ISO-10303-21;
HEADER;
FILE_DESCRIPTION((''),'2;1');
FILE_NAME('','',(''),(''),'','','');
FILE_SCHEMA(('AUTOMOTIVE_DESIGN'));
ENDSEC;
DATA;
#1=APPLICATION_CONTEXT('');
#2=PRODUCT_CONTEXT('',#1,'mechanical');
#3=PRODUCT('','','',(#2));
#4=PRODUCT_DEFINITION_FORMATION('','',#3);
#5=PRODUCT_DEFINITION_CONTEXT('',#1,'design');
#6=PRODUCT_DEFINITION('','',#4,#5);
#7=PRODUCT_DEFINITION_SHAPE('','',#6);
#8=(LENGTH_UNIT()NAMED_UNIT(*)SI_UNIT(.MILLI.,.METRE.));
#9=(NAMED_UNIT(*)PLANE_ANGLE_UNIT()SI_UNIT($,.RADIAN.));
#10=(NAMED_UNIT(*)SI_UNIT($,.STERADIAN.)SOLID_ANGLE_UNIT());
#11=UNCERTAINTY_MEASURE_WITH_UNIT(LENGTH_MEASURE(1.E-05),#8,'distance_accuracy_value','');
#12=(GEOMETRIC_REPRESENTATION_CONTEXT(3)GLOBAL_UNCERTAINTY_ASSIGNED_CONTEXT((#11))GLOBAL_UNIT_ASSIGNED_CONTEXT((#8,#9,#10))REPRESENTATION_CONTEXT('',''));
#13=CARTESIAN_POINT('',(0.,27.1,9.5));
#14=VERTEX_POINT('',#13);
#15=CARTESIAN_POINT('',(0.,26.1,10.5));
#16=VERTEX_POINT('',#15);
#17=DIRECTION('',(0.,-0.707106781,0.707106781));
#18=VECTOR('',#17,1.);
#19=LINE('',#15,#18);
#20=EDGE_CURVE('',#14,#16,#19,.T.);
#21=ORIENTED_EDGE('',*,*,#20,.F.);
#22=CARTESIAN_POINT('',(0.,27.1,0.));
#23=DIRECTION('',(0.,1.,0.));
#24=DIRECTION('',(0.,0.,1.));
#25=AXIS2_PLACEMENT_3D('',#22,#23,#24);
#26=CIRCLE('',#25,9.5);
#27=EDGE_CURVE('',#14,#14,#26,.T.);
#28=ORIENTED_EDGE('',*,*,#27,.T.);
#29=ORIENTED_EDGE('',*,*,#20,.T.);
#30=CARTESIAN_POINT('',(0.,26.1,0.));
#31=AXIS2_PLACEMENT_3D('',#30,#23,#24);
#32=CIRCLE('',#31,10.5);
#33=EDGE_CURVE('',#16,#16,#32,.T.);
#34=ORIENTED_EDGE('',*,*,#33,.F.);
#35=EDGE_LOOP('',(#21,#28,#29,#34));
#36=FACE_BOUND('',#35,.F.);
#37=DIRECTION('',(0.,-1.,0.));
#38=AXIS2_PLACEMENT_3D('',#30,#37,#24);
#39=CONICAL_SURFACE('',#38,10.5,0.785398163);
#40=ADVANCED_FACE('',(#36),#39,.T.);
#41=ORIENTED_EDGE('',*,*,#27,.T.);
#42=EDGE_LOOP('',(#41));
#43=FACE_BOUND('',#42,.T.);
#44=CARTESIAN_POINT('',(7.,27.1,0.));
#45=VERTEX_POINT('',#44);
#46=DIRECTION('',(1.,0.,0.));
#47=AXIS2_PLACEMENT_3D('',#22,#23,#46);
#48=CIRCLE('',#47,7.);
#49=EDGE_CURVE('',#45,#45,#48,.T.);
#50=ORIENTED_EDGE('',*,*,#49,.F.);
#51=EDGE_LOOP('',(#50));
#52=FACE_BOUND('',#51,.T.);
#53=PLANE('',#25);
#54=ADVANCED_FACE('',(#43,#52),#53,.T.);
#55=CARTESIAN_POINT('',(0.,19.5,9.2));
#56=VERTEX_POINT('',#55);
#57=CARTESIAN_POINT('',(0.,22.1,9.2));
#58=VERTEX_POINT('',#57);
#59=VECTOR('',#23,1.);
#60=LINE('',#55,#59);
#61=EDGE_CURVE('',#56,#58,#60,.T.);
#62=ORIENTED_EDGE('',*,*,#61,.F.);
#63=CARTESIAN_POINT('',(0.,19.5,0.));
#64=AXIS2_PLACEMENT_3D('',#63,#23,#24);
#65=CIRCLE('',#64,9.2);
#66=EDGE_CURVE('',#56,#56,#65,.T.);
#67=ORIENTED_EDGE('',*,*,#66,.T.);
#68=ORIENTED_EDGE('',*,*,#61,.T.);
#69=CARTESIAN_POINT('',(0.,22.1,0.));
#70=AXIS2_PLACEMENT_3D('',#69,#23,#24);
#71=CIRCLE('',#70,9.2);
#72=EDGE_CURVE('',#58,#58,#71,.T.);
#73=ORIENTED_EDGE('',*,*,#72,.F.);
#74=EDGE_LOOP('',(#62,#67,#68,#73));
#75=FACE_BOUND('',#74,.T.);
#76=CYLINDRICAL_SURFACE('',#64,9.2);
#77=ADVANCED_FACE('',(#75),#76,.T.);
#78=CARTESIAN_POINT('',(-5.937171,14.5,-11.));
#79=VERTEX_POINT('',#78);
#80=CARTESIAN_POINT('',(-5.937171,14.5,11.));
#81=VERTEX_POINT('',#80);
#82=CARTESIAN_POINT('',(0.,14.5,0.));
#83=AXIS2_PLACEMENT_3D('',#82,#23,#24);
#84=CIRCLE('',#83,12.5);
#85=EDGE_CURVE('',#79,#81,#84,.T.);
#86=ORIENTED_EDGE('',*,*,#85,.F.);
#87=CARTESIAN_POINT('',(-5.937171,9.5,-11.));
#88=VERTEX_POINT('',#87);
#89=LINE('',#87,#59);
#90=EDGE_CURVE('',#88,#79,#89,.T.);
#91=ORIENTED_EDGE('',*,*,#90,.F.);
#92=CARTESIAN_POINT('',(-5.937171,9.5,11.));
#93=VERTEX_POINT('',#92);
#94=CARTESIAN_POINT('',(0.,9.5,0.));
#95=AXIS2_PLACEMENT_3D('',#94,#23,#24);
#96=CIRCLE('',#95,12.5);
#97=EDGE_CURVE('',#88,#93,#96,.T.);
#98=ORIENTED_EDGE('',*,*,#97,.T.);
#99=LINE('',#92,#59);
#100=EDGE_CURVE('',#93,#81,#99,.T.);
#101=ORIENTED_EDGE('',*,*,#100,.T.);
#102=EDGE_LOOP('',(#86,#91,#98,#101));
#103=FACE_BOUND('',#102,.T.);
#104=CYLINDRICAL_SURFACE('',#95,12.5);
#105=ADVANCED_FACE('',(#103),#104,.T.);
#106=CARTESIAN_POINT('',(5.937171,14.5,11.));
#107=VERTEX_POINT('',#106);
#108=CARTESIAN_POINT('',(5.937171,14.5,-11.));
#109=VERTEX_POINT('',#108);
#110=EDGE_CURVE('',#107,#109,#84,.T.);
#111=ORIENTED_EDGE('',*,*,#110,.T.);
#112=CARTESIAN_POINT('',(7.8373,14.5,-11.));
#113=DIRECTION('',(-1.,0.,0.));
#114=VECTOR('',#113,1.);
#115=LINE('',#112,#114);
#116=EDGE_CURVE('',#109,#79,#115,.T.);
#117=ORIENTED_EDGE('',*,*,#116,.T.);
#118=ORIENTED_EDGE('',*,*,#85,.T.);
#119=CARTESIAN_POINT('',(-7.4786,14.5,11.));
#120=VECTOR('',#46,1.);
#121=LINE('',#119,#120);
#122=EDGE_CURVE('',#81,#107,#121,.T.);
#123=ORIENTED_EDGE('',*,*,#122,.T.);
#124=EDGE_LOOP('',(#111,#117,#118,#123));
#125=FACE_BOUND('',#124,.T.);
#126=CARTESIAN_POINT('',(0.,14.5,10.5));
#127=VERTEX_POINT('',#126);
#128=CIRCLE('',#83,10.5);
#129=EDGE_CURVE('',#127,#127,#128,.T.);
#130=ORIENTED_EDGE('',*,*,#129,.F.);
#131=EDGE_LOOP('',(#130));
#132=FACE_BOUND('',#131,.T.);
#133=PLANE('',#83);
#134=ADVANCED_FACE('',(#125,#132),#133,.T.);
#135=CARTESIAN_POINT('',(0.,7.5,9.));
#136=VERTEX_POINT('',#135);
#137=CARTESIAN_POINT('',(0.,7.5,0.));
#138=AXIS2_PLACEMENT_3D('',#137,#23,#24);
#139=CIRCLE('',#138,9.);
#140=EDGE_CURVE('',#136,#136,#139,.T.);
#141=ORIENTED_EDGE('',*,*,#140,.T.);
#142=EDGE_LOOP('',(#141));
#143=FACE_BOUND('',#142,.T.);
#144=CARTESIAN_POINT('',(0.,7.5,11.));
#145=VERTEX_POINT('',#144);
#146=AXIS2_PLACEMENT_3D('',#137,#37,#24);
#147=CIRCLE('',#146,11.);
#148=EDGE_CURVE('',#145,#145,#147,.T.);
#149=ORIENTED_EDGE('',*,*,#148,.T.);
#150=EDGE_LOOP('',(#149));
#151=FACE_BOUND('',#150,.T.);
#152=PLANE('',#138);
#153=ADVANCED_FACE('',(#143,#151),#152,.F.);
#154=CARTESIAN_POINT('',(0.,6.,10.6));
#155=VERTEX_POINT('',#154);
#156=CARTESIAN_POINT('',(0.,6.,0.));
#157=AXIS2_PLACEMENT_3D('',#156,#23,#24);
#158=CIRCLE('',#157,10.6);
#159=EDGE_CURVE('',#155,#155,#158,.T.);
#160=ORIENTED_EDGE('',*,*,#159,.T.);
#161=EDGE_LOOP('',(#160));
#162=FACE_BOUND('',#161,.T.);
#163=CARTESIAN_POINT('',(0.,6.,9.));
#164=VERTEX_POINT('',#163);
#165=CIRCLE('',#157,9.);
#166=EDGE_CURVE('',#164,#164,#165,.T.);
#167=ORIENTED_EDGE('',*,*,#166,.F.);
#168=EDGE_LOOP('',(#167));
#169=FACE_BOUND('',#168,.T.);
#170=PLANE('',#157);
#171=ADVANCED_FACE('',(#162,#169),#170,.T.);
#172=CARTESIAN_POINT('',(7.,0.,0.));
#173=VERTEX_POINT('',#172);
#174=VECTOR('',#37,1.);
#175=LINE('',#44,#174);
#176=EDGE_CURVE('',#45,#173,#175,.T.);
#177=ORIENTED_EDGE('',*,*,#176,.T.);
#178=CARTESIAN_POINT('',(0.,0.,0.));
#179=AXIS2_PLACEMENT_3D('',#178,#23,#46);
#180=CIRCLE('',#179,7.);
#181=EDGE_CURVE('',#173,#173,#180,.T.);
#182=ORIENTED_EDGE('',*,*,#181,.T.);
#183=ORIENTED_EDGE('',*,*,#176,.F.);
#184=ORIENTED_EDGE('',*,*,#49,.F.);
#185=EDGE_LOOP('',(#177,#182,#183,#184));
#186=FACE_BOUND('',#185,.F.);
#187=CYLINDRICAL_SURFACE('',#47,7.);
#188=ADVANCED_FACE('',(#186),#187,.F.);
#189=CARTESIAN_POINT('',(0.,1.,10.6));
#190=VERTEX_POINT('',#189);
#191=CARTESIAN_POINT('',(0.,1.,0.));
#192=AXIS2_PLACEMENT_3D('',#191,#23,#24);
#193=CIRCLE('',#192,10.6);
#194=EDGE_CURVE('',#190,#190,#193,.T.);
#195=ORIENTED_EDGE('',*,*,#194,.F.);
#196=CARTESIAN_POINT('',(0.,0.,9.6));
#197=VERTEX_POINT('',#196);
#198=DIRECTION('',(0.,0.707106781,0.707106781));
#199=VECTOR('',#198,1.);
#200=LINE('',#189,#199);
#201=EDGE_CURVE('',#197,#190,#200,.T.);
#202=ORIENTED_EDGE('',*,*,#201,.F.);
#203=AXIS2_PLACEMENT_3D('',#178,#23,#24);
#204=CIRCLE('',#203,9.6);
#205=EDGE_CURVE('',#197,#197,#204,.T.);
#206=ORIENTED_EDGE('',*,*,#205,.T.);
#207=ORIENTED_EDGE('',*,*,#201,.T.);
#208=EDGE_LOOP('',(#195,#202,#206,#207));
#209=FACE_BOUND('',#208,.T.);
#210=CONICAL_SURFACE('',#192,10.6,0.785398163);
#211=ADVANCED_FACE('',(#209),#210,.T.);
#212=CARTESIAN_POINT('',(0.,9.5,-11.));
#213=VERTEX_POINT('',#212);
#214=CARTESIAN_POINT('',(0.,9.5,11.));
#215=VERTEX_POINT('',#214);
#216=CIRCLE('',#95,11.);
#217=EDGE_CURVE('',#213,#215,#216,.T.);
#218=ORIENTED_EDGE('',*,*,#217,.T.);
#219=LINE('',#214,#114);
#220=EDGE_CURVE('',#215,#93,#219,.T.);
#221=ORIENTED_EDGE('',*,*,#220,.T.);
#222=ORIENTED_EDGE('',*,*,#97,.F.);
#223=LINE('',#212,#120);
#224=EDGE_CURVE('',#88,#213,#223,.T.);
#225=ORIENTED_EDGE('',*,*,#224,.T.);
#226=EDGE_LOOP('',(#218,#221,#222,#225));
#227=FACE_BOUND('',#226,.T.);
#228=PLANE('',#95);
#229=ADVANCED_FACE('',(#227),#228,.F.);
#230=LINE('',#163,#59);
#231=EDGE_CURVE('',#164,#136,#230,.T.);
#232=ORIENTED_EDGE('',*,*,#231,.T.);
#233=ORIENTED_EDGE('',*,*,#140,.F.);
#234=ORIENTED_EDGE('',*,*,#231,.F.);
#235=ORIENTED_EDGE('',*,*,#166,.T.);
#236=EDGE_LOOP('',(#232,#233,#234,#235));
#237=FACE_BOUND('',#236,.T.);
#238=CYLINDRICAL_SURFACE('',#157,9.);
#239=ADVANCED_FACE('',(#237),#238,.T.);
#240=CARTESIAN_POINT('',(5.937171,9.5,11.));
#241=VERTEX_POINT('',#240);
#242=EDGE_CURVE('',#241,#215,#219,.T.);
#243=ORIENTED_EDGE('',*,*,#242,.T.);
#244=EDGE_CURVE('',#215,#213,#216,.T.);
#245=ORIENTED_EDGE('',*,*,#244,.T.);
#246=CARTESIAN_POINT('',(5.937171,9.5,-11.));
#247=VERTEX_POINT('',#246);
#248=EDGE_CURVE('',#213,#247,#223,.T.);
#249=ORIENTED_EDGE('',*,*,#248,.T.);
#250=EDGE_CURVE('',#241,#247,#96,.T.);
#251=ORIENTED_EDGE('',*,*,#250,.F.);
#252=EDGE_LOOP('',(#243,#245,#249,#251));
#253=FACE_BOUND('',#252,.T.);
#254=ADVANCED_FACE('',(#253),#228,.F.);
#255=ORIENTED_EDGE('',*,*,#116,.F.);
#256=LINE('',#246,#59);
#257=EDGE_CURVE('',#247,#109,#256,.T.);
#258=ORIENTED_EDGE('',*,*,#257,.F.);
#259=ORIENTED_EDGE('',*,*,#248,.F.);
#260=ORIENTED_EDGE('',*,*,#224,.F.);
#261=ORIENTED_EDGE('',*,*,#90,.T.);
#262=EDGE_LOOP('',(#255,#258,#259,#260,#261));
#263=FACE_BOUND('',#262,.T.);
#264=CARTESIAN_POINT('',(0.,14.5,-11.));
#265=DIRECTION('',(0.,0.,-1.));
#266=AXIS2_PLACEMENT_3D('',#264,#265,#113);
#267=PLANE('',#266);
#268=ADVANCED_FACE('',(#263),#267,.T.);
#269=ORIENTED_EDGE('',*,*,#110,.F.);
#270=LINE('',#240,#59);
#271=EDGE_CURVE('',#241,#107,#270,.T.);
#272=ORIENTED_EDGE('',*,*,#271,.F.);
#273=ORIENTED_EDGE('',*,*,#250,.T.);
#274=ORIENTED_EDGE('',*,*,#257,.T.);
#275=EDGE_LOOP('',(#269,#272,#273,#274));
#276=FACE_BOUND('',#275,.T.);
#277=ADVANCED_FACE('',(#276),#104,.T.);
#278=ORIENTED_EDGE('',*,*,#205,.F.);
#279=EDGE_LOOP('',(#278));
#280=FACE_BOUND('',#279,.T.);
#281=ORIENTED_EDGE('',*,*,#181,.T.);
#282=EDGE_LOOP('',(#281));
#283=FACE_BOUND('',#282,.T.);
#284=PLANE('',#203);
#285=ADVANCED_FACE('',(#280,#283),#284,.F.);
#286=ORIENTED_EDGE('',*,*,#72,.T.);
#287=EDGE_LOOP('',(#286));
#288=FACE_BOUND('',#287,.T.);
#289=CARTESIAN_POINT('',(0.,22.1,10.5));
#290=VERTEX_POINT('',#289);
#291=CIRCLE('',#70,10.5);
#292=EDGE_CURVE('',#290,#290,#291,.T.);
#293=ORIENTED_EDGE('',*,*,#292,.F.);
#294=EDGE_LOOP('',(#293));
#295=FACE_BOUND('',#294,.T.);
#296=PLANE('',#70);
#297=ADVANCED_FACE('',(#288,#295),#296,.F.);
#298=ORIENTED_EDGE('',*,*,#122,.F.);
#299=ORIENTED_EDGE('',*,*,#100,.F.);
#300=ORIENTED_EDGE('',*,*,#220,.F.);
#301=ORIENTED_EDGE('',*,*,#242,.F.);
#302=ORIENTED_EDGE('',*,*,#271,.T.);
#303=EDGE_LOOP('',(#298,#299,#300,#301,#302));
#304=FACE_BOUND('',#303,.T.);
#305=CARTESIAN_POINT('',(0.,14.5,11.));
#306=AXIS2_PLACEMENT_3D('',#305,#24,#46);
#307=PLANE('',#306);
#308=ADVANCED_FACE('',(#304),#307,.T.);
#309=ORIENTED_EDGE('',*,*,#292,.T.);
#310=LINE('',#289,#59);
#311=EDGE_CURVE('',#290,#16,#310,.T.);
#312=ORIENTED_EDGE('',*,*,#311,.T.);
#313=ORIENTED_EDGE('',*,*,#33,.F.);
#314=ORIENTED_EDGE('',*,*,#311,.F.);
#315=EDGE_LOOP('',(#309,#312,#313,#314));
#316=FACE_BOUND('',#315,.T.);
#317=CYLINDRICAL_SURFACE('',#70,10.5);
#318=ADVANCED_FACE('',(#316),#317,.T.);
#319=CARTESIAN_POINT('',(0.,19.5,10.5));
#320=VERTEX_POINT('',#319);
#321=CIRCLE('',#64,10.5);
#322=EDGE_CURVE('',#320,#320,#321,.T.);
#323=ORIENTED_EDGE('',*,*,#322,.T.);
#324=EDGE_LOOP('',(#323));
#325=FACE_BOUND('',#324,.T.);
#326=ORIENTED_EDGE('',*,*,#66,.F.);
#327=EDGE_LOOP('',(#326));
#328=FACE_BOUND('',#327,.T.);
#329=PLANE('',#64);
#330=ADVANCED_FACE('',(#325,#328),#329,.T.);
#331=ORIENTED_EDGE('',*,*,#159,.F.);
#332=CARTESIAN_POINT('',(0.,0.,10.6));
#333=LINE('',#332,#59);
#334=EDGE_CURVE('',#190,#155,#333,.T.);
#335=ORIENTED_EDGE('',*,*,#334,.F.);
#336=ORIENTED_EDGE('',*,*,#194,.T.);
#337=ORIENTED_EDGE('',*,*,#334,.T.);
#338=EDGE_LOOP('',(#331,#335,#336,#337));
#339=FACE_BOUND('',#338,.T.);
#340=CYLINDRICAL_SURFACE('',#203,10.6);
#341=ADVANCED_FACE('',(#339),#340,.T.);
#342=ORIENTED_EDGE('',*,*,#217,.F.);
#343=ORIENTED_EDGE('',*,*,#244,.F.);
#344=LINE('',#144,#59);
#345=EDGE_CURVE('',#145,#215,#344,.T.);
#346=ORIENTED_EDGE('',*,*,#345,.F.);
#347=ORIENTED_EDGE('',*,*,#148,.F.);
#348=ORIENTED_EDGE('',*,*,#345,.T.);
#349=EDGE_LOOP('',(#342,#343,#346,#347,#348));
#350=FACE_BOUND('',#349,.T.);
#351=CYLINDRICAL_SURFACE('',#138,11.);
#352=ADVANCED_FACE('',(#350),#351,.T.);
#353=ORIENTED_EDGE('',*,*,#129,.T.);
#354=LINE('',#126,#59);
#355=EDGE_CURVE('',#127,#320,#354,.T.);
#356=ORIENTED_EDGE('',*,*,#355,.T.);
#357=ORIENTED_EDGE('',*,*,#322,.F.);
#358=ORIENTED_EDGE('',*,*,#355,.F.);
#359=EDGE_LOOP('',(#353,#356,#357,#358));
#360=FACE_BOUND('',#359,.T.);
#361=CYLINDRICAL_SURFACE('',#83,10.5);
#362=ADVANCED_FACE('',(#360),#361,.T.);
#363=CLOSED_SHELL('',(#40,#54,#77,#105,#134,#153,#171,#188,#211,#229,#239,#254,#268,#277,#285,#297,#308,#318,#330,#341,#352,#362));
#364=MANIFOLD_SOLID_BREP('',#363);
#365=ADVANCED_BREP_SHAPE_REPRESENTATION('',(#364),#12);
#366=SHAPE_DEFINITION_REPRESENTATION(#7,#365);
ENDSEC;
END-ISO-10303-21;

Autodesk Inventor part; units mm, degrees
ref_plane "YZ Plane" through (0, 0, 0) normal (1, 0, 0) x (0, 1, 0)
ref_plane "XZ Plane" through (0, 0, 0) normal (0, 1, 0) x (-1, 0, 0)
ref_plane "XY Plane" through (0, 0, 0) normal (0, 0, 1) x (1, 0, 0)
sketch "Sketch1" plane through (0, 0, 0) normal (1, 0, 0) x (0, 1, 0)
  line L0 (0, 0) -> (0, 10.6)
  line L1 (0, 10.6) -> (6, 10.6)
  line L2 (6, 0) -> (6, 9) construction
  line L3 (6, 10.6) -> (6, 9)
  line L4 (6, 9) -> (7.5, 9)
  line L5 (7.5, 9) -> (7.5, 11)
  line L6 (7.5, 11) -> (9.5, 11)
  line L7 (9.5, 11) -> (9.5, 12.5)
  line L8 (9.5, 11) -> (11, 11) construction
  line L9 (9.5, 12.5) -> (14.5, 12.5)
  line L10 (14.5, 0) -> (14.5, 10.5) construction
  line L11 (14.5, 12.5) -> (14.5, 10.5)
  line L12 (14.5, 10.5) -> (19.5, 10.5)
  line L13 (19.5, 0) -> (19.5, 9.2) construction
  line L14 (19.5, 10.5) -> (19.5, 9.2)
  line L15 (19.5, 9.2) -> (22.1, 9.2)
  line L16 (22.1, 9.2) -> (22.1, 10.5)
  line L17 (22.1, 10.5) -> (27.1, 10.5)
  line L18 (27.1, 10.5) -> (27.1, 0)
  line L19 (0, 0) -> (27.1, 0)
  dimension "d0" = 10.6
  dimension "d1" = 6
  dimension "d2" = 9
  dimension "d3" = 1.5
  dimension "d4" = 2
  dimension "d5" = 2
  dimension "d7" = 11
  dimension "d8" = 1.5
  dimension "d9" = 90
  dimension "d10" = 5
  dimension "d11" = 10.5
  dimension "d12" = 2
  dimension "d13" = 5
  dimension "d14" = 9.2
  dimension "d15" = 1.3
  dimension "d16" = 2.6
  dimension "d17" = 1.3
  dimension "d18" = 5
revolve "Revolution1" add sketch "Sketch1" angle 360 about axis through (0, 0, 0) along (0, 1, 0)
thread "Thread1" size "M22x1.5" class "6g" standard "ANSI Metric M Profile" full length
chamfer "Chamfer1" distance 1 angle 45 1 edges at (0, 0, -10.6)
sketch "Sketch2" plane through (0, 27.1, 0) normal (0, 1, 0) x (1, 0, 0)
  circle A0 centre (0, 0) radius 7
  dimension "d25" = 14
extrude "Extrusion1" cut sketch "Sketch2" against normal through all
chamfer "Chamfer2" distance 1 angle 45 1 edges at (0, 27.1, -10.5)
sketch "Sketch3" plane through (0, 14.5, 0) normal (0, 1, 0) x (1, 0, 0)
  circle A0 centre (0, 0) radius 11
  circle A1 centre (0, 0) radius 11 projected
  line L0 (0, 11) -> (-7.7224, 11)
  line L1 (-7.7224, 11) -> (-7.7224, 13.1204)
  line L2 (-7.7224, 13.1204) -> (0, 13.1204)
  line L3 (0, 13.1204) -> (0, 11)
  line L4 (0, 11) -> (7.8373, 11)
  line L5 (7.8373, 11) -> (7.8373, 13.1204)
  line L6 (7.8373, 13.1204) -> (0, 13.1204)
  line L7 (0, 13.1204) -> (0, 11)
  line L8 (0, -11) -> (-7.4786, -11)
  line L9 (-7.4786, -11) -> (-7.4786, -12.6458)
  line L10 (-7.4786, -12.6458) -> (0, -12.6458)
  line L11 (0, -12.6458) -> (0, -11)
  line L12 (0, -11) -> (7.7134, -11)
  line L13 (7.7134, -11) -> (7.7134, -12.6458)
  line L14 (7.7134, -12.6458) -> (0, -12.6458)
  line L15 (0, -12.6458) -> (0, -11)
  dimension "d31" = 22
extrude "Extrusion2" cut sketch "Sketch3" against normal through all contours L12 L13 L14 L11 | L11 L10 L9 L8 | L0 L1 L2 L3 | L3 L6 L5 L4
properties part number "Corrugated tube-Flowmeter connector" material "Polypropylene"
